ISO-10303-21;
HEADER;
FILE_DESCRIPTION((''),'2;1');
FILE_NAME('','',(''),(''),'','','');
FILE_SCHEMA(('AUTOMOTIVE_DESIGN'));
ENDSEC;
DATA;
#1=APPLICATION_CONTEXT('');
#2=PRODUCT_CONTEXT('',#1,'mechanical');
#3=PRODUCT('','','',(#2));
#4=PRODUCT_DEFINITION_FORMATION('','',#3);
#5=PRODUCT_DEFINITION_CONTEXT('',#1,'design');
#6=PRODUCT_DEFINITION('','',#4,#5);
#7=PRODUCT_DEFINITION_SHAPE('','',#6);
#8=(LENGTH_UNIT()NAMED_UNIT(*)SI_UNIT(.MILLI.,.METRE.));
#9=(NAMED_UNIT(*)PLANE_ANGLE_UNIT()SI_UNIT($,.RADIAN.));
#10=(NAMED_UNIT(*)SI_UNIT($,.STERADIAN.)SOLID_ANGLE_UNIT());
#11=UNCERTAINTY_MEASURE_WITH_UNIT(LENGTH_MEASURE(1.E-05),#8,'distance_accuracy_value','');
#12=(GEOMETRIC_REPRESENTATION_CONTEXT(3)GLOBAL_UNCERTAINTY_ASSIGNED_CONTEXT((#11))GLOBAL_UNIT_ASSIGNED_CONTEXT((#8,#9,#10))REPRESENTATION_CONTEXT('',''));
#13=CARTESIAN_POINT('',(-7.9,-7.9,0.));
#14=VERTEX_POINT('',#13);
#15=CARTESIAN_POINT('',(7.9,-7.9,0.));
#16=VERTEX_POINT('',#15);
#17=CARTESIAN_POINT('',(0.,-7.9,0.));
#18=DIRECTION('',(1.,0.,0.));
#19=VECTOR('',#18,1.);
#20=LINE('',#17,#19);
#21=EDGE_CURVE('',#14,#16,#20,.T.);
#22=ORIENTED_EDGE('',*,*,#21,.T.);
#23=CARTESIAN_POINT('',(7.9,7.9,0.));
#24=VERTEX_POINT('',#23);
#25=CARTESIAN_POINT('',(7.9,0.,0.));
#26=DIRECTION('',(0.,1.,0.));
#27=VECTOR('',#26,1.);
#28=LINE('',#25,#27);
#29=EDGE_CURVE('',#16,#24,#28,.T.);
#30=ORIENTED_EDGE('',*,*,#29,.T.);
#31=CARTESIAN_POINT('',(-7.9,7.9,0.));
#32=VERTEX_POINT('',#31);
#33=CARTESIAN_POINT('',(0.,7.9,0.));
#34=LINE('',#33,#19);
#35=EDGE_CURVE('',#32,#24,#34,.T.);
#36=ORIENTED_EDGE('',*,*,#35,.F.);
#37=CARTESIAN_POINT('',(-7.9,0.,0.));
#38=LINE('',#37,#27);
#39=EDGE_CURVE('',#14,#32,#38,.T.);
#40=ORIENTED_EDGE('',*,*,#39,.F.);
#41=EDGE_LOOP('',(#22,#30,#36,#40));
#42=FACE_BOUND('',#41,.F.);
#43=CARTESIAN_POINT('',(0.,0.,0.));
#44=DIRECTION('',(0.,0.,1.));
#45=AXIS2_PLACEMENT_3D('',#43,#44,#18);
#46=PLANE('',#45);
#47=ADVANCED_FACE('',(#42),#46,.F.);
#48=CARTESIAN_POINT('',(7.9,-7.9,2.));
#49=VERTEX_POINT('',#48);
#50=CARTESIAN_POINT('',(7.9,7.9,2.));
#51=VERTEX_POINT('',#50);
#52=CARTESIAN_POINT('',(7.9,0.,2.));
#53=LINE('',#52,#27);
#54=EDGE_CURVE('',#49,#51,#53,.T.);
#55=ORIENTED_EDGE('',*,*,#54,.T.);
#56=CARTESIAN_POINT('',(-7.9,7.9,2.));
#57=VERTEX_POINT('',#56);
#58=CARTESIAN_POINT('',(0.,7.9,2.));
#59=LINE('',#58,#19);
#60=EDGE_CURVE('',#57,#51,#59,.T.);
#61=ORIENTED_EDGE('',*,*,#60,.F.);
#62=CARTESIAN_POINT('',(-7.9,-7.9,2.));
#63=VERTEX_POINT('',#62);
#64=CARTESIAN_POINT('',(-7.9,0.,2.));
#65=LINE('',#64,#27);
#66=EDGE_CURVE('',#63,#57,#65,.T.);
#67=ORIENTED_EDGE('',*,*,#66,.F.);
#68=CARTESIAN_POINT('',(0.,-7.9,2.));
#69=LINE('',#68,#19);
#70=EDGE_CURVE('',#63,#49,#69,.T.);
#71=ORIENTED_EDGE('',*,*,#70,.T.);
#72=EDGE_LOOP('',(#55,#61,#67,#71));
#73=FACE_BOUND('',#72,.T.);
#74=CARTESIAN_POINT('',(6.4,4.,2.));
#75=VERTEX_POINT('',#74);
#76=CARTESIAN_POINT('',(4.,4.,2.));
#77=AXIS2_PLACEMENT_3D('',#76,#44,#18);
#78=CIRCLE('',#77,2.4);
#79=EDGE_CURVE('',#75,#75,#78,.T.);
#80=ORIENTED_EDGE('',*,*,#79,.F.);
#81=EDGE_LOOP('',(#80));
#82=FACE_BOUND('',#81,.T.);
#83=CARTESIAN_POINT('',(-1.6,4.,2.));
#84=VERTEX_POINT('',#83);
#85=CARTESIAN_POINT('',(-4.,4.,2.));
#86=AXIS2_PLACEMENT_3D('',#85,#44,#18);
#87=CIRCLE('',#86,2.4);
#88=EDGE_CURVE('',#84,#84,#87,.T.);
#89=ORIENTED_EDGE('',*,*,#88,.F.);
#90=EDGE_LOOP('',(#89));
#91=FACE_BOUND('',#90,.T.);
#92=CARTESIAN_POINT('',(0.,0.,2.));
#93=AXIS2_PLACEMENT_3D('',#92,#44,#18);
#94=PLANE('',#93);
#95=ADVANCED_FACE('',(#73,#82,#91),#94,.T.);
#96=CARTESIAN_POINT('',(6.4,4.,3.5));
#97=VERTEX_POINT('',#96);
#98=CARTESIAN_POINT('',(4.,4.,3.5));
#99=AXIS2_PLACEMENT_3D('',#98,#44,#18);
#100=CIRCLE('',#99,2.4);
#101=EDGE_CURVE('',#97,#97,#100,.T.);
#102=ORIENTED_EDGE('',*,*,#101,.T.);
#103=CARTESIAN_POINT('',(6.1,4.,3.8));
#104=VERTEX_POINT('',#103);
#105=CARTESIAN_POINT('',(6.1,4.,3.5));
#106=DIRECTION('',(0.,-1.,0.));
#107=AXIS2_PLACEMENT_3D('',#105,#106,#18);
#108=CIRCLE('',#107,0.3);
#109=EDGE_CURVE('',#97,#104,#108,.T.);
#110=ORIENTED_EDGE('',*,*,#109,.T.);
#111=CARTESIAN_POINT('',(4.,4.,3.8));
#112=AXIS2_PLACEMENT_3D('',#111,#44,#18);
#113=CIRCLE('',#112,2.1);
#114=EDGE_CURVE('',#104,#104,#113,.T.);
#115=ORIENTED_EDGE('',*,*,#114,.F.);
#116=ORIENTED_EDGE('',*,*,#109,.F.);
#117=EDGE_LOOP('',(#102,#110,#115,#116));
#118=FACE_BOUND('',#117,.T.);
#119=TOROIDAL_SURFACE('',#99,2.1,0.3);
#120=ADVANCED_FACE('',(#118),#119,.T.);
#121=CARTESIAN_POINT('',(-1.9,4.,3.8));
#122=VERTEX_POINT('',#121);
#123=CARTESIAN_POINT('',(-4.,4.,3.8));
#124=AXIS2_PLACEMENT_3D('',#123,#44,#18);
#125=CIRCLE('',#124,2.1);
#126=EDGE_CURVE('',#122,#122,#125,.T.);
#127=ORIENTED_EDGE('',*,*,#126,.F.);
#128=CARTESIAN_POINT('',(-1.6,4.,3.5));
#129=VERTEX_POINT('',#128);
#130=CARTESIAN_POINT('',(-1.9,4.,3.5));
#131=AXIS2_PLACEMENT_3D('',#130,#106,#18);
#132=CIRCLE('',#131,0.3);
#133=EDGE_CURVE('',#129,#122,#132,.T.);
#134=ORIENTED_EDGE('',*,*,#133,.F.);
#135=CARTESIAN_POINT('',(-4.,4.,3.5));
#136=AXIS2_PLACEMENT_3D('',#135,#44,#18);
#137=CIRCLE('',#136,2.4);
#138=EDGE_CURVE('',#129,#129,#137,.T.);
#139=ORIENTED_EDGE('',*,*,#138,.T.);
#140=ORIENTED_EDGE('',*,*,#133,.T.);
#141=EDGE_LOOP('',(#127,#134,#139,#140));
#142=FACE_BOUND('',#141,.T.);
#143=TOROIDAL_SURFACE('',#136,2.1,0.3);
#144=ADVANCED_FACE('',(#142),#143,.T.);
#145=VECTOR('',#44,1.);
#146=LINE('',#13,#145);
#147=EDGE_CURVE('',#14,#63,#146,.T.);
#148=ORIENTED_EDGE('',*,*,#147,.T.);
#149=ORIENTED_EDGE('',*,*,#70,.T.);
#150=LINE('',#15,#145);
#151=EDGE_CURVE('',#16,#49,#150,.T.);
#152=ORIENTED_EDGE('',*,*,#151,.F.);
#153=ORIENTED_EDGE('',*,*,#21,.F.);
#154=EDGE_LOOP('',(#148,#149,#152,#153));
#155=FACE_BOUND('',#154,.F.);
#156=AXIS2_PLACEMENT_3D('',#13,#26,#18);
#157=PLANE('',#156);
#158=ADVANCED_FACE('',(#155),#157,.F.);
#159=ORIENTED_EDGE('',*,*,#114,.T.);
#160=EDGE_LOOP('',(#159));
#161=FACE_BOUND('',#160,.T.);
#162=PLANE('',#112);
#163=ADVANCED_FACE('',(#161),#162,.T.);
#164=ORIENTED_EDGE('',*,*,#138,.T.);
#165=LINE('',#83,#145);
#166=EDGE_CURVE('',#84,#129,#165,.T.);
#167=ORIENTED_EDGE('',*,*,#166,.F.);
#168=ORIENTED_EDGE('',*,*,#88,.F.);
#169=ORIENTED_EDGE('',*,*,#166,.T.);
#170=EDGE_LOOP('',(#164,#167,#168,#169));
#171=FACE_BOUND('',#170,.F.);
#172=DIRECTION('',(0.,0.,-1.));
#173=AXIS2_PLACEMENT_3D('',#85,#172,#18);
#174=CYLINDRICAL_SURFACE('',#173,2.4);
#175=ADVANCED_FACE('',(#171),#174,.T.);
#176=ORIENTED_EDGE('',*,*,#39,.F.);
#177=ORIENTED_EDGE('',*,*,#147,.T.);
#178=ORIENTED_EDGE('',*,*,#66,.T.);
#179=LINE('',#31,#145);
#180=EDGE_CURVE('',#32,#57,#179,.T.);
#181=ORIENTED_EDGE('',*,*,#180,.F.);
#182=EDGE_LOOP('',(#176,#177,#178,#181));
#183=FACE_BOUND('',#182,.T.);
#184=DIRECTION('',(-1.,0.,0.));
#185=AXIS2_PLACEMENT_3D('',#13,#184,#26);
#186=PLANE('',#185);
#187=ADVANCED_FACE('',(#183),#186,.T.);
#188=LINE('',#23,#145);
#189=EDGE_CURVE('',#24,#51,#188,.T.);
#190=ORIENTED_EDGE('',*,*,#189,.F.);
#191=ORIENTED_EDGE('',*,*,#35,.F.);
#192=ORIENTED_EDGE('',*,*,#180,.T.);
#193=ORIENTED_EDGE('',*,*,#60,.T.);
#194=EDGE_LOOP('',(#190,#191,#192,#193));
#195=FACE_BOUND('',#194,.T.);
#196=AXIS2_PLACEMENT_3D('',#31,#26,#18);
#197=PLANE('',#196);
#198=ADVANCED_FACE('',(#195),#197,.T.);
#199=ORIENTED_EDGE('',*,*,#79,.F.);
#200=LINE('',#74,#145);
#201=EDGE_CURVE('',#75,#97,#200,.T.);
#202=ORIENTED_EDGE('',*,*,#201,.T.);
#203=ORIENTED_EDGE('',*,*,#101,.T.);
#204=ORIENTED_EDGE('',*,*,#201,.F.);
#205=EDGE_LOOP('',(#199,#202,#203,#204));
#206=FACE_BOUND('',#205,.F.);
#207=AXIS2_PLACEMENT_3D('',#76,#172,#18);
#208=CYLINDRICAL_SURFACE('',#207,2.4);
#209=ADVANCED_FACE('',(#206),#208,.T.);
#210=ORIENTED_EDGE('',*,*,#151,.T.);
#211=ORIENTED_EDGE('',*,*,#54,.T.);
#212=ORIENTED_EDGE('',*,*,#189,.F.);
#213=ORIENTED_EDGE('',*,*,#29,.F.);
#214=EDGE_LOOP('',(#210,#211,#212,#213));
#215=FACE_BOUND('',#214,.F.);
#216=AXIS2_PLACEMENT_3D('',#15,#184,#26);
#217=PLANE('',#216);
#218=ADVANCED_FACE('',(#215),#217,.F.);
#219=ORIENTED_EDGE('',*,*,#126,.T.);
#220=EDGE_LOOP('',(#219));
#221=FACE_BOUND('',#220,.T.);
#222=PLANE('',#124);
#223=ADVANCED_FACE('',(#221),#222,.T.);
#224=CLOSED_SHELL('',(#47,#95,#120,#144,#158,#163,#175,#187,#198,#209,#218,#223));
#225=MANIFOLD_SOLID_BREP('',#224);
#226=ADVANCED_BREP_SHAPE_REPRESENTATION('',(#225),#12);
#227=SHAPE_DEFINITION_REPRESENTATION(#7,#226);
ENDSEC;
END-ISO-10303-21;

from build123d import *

# Parameters (mm, degrees)
F0_W     = 15.8
F0_H     = 15.8
F1_DEPTH = 2
F2_R     = 2.4
F3_DEPTH = 1.8
F4_R     = 0.3


with BuildPart() as f1:
    # F0 (on Top) → F1 (new body)
    with BuildSketch(Plane.XY):
        Rectangle(F0_W, F0_H)
    extrude(amount=F1_DEPTH)

    # F2 (on face) → F3 (join)
    with BuildSketch(Plane.XY.offset(2)):
        with Locations((-4, 4)):
            Circle(F2_R)
        with Locations((4, 4)):
            Circle(F2_R)
    extrude(amount=F3_DEPTH)

    # F4
    f4_edges = [f1.edges().sort_by_distance(p)[0] for p in [
        (1.6, 4, 3.8),
        (-6.4, 4, 3.8),
    ]]
    fillet(f4_edges, radius=F4_R)


solid = f1.part
